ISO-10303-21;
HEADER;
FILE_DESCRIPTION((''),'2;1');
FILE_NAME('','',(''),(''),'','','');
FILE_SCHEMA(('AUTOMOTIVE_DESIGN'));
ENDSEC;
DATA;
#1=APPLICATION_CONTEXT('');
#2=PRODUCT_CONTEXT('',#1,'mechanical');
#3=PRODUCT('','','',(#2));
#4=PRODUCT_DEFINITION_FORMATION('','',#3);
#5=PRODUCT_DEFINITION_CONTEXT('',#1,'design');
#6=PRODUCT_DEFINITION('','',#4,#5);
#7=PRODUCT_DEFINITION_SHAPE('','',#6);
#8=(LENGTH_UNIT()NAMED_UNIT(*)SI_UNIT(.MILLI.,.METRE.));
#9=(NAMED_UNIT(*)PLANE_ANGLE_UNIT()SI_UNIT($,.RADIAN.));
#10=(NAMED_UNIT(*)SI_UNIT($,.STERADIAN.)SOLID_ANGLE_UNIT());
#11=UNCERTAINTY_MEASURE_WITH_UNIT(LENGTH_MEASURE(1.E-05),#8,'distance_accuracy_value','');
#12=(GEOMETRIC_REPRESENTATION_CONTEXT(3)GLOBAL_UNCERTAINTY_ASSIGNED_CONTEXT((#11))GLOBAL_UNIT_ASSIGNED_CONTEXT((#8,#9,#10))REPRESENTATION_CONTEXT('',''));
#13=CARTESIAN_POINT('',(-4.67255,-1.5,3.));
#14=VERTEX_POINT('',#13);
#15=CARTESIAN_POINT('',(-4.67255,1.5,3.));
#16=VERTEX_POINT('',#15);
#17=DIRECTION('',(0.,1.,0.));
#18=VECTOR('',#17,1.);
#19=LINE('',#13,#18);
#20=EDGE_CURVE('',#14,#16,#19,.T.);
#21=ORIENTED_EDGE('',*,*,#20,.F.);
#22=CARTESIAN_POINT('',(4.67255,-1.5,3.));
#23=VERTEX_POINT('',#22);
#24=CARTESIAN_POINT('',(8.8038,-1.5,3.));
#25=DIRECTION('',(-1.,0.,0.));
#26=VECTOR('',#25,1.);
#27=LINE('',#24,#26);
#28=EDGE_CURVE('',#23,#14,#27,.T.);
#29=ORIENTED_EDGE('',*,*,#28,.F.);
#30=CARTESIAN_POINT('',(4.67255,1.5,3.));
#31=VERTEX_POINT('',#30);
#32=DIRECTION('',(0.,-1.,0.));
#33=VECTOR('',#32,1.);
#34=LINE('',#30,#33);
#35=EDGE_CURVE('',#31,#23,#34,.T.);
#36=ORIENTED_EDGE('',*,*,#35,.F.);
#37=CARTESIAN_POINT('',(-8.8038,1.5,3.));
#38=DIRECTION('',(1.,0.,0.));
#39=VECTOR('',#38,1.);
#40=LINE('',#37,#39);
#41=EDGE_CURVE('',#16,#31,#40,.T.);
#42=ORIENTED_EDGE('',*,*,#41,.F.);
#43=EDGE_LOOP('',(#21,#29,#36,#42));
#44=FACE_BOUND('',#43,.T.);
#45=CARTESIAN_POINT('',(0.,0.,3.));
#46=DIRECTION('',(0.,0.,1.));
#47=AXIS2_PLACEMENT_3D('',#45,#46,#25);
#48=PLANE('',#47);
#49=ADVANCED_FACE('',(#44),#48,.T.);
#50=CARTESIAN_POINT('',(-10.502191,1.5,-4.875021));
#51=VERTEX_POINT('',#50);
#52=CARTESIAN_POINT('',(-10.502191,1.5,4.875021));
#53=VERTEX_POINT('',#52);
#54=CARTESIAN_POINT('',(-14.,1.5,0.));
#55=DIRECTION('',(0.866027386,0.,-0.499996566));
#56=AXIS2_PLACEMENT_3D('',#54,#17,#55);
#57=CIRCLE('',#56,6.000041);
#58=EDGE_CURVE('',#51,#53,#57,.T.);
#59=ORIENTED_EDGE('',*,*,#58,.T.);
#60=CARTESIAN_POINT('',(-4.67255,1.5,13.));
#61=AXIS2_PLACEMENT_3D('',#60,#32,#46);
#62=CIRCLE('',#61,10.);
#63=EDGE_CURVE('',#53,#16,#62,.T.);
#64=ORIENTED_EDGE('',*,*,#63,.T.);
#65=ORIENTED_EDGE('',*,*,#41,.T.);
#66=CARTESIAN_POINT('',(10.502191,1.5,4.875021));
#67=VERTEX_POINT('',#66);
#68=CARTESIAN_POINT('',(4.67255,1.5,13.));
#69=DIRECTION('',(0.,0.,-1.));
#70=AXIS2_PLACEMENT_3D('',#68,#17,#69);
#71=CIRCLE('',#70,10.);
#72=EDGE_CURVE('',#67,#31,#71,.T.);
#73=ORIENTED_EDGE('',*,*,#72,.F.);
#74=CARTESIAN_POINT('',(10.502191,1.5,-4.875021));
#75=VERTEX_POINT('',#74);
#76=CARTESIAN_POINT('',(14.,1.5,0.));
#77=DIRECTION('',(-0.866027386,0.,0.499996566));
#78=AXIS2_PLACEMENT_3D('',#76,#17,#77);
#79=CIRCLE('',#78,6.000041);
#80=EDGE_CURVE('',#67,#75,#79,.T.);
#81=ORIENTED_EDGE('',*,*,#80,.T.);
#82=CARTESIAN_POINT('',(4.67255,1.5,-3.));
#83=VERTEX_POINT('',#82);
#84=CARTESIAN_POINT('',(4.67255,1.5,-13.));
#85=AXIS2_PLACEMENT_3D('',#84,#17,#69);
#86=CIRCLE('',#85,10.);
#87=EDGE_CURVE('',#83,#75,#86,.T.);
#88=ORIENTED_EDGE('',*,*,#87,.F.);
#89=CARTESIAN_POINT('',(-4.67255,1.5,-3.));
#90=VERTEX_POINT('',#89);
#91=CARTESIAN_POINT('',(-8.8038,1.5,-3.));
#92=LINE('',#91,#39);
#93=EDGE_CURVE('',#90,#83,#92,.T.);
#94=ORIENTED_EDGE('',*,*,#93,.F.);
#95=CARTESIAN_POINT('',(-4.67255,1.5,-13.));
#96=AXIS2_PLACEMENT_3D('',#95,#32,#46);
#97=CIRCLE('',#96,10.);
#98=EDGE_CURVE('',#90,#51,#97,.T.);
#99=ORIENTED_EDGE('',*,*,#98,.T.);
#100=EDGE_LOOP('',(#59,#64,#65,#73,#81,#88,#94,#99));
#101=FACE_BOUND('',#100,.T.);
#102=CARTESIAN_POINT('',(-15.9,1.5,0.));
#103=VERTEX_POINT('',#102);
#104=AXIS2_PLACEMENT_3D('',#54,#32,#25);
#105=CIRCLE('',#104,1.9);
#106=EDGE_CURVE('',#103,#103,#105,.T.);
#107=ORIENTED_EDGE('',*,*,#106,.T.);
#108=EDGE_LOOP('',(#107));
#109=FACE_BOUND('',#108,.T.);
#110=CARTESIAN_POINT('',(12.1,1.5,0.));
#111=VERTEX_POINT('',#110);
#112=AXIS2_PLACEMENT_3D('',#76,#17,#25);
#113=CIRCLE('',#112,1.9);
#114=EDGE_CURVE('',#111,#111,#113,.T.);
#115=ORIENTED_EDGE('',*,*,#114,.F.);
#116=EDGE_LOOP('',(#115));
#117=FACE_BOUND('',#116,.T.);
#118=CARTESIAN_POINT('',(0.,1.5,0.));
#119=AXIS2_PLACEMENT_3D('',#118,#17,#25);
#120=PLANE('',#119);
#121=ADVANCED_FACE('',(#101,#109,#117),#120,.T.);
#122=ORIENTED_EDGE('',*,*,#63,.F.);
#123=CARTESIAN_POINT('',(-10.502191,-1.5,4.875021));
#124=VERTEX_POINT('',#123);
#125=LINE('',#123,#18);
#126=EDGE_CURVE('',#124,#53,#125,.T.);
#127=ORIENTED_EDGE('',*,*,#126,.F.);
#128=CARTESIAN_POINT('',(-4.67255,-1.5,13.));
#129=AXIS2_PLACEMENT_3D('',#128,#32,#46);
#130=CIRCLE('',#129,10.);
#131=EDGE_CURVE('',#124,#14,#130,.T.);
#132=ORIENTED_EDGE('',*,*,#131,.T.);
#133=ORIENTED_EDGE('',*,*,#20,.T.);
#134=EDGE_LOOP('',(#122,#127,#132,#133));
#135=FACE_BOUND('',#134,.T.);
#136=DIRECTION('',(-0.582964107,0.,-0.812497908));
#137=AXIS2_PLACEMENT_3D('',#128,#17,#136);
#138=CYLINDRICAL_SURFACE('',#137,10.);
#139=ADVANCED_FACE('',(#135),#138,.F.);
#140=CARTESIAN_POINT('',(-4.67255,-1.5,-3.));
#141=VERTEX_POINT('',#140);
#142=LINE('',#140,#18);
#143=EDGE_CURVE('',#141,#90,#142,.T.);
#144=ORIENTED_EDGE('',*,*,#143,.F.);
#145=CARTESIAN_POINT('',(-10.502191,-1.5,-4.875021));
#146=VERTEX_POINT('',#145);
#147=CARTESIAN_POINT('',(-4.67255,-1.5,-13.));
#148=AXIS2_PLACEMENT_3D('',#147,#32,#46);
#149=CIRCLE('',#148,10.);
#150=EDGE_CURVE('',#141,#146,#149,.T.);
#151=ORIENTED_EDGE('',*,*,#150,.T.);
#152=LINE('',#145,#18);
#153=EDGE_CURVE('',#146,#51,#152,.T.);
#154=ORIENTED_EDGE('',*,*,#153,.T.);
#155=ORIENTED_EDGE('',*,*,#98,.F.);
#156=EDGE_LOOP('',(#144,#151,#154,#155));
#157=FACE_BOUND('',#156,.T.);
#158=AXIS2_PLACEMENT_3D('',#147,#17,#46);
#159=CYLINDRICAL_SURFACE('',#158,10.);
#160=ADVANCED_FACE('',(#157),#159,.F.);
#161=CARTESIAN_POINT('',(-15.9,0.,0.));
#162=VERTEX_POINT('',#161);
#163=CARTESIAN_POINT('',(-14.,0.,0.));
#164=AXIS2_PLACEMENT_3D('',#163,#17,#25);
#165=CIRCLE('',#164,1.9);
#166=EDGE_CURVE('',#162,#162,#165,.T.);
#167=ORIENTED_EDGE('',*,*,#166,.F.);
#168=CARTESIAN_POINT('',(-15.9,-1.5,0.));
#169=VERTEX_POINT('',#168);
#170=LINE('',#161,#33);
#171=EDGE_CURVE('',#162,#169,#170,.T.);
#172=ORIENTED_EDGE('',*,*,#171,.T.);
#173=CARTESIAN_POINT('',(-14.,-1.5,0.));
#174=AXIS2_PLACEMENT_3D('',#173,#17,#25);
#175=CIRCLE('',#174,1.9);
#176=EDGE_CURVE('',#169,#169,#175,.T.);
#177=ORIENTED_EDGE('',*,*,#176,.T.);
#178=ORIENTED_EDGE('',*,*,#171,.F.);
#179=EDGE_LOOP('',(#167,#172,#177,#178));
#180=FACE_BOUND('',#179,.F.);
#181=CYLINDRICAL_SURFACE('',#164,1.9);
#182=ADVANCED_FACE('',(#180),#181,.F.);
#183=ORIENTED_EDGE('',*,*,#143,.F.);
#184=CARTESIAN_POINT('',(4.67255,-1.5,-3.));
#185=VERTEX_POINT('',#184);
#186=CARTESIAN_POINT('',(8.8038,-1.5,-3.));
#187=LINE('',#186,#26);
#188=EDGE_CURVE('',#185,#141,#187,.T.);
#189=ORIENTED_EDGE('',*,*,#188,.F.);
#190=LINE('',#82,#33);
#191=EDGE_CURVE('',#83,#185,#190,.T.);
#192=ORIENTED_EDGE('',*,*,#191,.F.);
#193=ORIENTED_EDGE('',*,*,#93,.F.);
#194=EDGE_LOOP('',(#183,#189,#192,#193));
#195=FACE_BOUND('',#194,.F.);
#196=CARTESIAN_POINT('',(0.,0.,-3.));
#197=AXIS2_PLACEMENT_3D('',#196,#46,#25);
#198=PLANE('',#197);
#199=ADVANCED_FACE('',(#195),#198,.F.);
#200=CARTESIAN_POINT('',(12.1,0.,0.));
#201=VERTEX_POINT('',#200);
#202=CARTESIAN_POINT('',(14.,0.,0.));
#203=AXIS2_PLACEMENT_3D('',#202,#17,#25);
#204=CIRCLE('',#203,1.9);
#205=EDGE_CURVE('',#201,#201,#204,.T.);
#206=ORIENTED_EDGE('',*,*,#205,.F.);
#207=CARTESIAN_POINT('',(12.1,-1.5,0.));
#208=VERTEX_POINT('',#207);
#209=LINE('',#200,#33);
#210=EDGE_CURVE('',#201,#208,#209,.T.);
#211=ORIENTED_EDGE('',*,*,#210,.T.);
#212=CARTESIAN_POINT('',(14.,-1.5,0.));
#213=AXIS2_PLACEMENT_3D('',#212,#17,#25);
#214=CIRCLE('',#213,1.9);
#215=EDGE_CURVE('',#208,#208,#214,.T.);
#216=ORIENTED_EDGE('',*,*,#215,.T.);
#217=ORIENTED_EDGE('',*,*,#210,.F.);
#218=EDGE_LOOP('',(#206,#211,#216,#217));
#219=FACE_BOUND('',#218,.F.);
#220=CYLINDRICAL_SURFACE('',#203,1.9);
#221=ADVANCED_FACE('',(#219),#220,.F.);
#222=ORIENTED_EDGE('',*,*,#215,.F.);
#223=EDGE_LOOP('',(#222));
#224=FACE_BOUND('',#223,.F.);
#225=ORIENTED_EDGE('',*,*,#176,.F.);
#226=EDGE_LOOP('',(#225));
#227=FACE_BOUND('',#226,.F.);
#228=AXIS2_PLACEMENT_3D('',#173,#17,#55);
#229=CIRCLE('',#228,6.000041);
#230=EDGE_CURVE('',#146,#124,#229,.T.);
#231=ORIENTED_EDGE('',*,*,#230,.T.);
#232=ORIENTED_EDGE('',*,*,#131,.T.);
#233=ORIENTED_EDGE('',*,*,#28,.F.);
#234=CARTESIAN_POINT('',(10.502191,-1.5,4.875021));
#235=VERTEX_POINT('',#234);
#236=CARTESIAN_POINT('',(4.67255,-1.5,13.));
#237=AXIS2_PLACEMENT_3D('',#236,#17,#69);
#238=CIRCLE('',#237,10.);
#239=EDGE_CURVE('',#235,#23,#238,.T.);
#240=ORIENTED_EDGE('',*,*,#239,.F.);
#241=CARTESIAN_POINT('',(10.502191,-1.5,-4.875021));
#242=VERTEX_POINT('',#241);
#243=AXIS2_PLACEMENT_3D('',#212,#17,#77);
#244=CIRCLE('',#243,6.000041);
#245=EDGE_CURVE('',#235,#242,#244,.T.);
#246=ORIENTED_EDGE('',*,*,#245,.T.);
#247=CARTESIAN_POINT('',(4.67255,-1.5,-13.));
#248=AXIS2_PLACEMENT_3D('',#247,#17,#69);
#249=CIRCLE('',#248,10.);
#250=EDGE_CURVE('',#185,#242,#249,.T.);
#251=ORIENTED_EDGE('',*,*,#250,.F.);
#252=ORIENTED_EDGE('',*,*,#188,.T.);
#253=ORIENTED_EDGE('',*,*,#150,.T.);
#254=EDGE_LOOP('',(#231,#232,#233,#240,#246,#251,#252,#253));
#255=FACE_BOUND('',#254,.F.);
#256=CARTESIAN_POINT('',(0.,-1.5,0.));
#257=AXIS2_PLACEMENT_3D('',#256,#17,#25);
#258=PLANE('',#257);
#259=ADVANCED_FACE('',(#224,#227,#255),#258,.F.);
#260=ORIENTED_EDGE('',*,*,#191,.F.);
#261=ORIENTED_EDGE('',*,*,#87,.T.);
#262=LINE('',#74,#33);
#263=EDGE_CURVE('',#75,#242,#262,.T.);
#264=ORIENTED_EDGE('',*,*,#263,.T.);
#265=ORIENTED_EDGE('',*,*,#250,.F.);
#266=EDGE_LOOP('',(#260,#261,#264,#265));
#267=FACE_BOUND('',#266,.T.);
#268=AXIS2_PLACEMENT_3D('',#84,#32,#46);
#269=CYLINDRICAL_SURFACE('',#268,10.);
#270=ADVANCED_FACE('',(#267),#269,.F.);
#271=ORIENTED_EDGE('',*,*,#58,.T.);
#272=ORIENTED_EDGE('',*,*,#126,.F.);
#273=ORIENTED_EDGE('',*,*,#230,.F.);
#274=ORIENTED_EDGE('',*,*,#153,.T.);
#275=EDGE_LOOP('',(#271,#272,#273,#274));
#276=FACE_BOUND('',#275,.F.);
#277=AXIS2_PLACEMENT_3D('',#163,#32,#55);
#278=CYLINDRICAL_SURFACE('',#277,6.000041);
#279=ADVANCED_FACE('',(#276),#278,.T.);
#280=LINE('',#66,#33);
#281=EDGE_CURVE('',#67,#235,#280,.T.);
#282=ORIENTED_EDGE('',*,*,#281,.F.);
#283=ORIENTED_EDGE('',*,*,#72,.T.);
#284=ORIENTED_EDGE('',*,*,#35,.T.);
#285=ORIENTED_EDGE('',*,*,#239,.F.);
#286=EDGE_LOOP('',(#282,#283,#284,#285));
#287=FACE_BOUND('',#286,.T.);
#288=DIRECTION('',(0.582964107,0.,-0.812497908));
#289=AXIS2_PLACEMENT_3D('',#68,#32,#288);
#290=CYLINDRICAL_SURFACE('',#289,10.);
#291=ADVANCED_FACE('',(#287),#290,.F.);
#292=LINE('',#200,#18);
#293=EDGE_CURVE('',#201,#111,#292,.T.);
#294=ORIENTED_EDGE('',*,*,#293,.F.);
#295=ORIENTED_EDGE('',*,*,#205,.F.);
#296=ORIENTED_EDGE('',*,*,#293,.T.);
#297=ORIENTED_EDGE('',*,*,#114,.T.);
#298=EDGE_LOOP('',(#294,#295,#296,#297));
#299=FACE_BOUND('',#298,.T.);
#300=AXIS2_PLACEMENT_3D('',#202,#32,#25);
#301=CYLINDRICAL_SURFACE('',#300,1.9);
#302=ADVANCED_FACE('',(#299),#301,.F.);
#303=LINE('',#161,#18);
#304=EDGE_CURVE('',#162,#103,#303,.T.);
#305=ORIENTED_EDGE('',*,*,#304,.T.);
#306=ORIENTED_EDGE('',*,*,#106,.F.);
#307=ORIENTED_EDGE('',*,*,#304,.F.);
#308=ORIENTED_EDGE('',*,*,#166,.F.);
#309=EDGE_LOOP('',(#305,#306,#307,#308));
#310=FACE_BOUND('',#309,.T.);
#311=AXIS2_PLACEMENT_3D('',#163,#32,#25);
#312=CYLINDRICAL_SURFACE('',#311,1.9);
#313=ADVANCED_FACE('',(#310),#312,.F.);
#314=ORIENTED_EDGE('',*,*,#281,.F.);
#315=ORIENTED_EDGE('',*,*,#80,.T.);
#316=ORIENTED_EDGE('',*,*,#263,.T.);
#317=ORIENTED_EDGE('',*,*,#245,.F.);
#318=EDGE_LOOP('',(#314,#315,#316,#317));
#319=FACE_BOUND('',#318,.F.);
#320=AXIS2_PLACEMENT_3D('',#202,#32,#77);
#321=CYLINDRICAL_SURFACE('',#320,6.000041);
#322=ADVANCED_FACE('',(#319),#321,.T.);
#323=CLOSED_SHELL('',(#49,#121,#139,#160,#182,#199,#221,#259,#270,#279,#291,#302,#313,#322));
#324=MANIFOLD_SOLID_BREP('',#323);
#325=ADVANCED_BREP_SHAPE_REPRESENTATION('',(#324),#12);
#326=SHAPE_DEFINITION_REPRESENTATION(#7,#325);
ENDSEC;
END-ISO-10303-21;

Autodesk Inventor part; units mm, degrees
ref_plane "YZ Plane" through (0, 0, 0) normal (1, 0, 0) x (0, 1, 0)
ref_plane "XZ Plane" through (0, 0, 0) normal (0, 1, 0) x (-1, 0, 0)
ref_plane "XY Plane" through (0, 0, 0) normal (0, 0, 1) x (1, 0, 0)
sketch "Эскиз1" plane through (0, 0, 0) normal (0, 1, 0) x (-1, 0, 0)
  arc A0 (8.8038, -3) -> (8.8038, 3) centre (14, 0) ccw
  line L0 (30.0057, 0) -> (28.0258, 0)
  circle A1 centre (14, 0) radius 1.9
  arc A2 (-8.8038, 3) -> (-8.8038, -3) centre (-14, 0) ccw
  line L1 (-8.8038, -3) -> (8.8038, -3)
  line L2 (-8.8038, 3) -> (8.8038, 3)
  circle A3 centre (-14, 0) radius 1.9
  line L3 (32.9518, 0) -> (37.6343, 0) construction
  line L4 (14.11, -3) -> (14.11, 3)
  line L5 (0, -3) -> (0, 3)
  point P0 (0, 0)
  point P1 (25.2378, -3)
  point P2 (25.2378, 3)
  point P3 (0, 0)
  dimension "d2" = 6
  dimension "d3" = 14
  dimension "d4" = 3.8
  dimension "d9" = 6
extrude "Выдавливание1" add sketch "Эскиз1" along normal mid plane 3
fillet "Сопряжение1" radius 10 4 edges at (-8.8038, 0, 3) (-8.8038, 0, -3) (8.8038, 0, -3) (8.8038, 0, 3)
properties part number "Рычаг"
